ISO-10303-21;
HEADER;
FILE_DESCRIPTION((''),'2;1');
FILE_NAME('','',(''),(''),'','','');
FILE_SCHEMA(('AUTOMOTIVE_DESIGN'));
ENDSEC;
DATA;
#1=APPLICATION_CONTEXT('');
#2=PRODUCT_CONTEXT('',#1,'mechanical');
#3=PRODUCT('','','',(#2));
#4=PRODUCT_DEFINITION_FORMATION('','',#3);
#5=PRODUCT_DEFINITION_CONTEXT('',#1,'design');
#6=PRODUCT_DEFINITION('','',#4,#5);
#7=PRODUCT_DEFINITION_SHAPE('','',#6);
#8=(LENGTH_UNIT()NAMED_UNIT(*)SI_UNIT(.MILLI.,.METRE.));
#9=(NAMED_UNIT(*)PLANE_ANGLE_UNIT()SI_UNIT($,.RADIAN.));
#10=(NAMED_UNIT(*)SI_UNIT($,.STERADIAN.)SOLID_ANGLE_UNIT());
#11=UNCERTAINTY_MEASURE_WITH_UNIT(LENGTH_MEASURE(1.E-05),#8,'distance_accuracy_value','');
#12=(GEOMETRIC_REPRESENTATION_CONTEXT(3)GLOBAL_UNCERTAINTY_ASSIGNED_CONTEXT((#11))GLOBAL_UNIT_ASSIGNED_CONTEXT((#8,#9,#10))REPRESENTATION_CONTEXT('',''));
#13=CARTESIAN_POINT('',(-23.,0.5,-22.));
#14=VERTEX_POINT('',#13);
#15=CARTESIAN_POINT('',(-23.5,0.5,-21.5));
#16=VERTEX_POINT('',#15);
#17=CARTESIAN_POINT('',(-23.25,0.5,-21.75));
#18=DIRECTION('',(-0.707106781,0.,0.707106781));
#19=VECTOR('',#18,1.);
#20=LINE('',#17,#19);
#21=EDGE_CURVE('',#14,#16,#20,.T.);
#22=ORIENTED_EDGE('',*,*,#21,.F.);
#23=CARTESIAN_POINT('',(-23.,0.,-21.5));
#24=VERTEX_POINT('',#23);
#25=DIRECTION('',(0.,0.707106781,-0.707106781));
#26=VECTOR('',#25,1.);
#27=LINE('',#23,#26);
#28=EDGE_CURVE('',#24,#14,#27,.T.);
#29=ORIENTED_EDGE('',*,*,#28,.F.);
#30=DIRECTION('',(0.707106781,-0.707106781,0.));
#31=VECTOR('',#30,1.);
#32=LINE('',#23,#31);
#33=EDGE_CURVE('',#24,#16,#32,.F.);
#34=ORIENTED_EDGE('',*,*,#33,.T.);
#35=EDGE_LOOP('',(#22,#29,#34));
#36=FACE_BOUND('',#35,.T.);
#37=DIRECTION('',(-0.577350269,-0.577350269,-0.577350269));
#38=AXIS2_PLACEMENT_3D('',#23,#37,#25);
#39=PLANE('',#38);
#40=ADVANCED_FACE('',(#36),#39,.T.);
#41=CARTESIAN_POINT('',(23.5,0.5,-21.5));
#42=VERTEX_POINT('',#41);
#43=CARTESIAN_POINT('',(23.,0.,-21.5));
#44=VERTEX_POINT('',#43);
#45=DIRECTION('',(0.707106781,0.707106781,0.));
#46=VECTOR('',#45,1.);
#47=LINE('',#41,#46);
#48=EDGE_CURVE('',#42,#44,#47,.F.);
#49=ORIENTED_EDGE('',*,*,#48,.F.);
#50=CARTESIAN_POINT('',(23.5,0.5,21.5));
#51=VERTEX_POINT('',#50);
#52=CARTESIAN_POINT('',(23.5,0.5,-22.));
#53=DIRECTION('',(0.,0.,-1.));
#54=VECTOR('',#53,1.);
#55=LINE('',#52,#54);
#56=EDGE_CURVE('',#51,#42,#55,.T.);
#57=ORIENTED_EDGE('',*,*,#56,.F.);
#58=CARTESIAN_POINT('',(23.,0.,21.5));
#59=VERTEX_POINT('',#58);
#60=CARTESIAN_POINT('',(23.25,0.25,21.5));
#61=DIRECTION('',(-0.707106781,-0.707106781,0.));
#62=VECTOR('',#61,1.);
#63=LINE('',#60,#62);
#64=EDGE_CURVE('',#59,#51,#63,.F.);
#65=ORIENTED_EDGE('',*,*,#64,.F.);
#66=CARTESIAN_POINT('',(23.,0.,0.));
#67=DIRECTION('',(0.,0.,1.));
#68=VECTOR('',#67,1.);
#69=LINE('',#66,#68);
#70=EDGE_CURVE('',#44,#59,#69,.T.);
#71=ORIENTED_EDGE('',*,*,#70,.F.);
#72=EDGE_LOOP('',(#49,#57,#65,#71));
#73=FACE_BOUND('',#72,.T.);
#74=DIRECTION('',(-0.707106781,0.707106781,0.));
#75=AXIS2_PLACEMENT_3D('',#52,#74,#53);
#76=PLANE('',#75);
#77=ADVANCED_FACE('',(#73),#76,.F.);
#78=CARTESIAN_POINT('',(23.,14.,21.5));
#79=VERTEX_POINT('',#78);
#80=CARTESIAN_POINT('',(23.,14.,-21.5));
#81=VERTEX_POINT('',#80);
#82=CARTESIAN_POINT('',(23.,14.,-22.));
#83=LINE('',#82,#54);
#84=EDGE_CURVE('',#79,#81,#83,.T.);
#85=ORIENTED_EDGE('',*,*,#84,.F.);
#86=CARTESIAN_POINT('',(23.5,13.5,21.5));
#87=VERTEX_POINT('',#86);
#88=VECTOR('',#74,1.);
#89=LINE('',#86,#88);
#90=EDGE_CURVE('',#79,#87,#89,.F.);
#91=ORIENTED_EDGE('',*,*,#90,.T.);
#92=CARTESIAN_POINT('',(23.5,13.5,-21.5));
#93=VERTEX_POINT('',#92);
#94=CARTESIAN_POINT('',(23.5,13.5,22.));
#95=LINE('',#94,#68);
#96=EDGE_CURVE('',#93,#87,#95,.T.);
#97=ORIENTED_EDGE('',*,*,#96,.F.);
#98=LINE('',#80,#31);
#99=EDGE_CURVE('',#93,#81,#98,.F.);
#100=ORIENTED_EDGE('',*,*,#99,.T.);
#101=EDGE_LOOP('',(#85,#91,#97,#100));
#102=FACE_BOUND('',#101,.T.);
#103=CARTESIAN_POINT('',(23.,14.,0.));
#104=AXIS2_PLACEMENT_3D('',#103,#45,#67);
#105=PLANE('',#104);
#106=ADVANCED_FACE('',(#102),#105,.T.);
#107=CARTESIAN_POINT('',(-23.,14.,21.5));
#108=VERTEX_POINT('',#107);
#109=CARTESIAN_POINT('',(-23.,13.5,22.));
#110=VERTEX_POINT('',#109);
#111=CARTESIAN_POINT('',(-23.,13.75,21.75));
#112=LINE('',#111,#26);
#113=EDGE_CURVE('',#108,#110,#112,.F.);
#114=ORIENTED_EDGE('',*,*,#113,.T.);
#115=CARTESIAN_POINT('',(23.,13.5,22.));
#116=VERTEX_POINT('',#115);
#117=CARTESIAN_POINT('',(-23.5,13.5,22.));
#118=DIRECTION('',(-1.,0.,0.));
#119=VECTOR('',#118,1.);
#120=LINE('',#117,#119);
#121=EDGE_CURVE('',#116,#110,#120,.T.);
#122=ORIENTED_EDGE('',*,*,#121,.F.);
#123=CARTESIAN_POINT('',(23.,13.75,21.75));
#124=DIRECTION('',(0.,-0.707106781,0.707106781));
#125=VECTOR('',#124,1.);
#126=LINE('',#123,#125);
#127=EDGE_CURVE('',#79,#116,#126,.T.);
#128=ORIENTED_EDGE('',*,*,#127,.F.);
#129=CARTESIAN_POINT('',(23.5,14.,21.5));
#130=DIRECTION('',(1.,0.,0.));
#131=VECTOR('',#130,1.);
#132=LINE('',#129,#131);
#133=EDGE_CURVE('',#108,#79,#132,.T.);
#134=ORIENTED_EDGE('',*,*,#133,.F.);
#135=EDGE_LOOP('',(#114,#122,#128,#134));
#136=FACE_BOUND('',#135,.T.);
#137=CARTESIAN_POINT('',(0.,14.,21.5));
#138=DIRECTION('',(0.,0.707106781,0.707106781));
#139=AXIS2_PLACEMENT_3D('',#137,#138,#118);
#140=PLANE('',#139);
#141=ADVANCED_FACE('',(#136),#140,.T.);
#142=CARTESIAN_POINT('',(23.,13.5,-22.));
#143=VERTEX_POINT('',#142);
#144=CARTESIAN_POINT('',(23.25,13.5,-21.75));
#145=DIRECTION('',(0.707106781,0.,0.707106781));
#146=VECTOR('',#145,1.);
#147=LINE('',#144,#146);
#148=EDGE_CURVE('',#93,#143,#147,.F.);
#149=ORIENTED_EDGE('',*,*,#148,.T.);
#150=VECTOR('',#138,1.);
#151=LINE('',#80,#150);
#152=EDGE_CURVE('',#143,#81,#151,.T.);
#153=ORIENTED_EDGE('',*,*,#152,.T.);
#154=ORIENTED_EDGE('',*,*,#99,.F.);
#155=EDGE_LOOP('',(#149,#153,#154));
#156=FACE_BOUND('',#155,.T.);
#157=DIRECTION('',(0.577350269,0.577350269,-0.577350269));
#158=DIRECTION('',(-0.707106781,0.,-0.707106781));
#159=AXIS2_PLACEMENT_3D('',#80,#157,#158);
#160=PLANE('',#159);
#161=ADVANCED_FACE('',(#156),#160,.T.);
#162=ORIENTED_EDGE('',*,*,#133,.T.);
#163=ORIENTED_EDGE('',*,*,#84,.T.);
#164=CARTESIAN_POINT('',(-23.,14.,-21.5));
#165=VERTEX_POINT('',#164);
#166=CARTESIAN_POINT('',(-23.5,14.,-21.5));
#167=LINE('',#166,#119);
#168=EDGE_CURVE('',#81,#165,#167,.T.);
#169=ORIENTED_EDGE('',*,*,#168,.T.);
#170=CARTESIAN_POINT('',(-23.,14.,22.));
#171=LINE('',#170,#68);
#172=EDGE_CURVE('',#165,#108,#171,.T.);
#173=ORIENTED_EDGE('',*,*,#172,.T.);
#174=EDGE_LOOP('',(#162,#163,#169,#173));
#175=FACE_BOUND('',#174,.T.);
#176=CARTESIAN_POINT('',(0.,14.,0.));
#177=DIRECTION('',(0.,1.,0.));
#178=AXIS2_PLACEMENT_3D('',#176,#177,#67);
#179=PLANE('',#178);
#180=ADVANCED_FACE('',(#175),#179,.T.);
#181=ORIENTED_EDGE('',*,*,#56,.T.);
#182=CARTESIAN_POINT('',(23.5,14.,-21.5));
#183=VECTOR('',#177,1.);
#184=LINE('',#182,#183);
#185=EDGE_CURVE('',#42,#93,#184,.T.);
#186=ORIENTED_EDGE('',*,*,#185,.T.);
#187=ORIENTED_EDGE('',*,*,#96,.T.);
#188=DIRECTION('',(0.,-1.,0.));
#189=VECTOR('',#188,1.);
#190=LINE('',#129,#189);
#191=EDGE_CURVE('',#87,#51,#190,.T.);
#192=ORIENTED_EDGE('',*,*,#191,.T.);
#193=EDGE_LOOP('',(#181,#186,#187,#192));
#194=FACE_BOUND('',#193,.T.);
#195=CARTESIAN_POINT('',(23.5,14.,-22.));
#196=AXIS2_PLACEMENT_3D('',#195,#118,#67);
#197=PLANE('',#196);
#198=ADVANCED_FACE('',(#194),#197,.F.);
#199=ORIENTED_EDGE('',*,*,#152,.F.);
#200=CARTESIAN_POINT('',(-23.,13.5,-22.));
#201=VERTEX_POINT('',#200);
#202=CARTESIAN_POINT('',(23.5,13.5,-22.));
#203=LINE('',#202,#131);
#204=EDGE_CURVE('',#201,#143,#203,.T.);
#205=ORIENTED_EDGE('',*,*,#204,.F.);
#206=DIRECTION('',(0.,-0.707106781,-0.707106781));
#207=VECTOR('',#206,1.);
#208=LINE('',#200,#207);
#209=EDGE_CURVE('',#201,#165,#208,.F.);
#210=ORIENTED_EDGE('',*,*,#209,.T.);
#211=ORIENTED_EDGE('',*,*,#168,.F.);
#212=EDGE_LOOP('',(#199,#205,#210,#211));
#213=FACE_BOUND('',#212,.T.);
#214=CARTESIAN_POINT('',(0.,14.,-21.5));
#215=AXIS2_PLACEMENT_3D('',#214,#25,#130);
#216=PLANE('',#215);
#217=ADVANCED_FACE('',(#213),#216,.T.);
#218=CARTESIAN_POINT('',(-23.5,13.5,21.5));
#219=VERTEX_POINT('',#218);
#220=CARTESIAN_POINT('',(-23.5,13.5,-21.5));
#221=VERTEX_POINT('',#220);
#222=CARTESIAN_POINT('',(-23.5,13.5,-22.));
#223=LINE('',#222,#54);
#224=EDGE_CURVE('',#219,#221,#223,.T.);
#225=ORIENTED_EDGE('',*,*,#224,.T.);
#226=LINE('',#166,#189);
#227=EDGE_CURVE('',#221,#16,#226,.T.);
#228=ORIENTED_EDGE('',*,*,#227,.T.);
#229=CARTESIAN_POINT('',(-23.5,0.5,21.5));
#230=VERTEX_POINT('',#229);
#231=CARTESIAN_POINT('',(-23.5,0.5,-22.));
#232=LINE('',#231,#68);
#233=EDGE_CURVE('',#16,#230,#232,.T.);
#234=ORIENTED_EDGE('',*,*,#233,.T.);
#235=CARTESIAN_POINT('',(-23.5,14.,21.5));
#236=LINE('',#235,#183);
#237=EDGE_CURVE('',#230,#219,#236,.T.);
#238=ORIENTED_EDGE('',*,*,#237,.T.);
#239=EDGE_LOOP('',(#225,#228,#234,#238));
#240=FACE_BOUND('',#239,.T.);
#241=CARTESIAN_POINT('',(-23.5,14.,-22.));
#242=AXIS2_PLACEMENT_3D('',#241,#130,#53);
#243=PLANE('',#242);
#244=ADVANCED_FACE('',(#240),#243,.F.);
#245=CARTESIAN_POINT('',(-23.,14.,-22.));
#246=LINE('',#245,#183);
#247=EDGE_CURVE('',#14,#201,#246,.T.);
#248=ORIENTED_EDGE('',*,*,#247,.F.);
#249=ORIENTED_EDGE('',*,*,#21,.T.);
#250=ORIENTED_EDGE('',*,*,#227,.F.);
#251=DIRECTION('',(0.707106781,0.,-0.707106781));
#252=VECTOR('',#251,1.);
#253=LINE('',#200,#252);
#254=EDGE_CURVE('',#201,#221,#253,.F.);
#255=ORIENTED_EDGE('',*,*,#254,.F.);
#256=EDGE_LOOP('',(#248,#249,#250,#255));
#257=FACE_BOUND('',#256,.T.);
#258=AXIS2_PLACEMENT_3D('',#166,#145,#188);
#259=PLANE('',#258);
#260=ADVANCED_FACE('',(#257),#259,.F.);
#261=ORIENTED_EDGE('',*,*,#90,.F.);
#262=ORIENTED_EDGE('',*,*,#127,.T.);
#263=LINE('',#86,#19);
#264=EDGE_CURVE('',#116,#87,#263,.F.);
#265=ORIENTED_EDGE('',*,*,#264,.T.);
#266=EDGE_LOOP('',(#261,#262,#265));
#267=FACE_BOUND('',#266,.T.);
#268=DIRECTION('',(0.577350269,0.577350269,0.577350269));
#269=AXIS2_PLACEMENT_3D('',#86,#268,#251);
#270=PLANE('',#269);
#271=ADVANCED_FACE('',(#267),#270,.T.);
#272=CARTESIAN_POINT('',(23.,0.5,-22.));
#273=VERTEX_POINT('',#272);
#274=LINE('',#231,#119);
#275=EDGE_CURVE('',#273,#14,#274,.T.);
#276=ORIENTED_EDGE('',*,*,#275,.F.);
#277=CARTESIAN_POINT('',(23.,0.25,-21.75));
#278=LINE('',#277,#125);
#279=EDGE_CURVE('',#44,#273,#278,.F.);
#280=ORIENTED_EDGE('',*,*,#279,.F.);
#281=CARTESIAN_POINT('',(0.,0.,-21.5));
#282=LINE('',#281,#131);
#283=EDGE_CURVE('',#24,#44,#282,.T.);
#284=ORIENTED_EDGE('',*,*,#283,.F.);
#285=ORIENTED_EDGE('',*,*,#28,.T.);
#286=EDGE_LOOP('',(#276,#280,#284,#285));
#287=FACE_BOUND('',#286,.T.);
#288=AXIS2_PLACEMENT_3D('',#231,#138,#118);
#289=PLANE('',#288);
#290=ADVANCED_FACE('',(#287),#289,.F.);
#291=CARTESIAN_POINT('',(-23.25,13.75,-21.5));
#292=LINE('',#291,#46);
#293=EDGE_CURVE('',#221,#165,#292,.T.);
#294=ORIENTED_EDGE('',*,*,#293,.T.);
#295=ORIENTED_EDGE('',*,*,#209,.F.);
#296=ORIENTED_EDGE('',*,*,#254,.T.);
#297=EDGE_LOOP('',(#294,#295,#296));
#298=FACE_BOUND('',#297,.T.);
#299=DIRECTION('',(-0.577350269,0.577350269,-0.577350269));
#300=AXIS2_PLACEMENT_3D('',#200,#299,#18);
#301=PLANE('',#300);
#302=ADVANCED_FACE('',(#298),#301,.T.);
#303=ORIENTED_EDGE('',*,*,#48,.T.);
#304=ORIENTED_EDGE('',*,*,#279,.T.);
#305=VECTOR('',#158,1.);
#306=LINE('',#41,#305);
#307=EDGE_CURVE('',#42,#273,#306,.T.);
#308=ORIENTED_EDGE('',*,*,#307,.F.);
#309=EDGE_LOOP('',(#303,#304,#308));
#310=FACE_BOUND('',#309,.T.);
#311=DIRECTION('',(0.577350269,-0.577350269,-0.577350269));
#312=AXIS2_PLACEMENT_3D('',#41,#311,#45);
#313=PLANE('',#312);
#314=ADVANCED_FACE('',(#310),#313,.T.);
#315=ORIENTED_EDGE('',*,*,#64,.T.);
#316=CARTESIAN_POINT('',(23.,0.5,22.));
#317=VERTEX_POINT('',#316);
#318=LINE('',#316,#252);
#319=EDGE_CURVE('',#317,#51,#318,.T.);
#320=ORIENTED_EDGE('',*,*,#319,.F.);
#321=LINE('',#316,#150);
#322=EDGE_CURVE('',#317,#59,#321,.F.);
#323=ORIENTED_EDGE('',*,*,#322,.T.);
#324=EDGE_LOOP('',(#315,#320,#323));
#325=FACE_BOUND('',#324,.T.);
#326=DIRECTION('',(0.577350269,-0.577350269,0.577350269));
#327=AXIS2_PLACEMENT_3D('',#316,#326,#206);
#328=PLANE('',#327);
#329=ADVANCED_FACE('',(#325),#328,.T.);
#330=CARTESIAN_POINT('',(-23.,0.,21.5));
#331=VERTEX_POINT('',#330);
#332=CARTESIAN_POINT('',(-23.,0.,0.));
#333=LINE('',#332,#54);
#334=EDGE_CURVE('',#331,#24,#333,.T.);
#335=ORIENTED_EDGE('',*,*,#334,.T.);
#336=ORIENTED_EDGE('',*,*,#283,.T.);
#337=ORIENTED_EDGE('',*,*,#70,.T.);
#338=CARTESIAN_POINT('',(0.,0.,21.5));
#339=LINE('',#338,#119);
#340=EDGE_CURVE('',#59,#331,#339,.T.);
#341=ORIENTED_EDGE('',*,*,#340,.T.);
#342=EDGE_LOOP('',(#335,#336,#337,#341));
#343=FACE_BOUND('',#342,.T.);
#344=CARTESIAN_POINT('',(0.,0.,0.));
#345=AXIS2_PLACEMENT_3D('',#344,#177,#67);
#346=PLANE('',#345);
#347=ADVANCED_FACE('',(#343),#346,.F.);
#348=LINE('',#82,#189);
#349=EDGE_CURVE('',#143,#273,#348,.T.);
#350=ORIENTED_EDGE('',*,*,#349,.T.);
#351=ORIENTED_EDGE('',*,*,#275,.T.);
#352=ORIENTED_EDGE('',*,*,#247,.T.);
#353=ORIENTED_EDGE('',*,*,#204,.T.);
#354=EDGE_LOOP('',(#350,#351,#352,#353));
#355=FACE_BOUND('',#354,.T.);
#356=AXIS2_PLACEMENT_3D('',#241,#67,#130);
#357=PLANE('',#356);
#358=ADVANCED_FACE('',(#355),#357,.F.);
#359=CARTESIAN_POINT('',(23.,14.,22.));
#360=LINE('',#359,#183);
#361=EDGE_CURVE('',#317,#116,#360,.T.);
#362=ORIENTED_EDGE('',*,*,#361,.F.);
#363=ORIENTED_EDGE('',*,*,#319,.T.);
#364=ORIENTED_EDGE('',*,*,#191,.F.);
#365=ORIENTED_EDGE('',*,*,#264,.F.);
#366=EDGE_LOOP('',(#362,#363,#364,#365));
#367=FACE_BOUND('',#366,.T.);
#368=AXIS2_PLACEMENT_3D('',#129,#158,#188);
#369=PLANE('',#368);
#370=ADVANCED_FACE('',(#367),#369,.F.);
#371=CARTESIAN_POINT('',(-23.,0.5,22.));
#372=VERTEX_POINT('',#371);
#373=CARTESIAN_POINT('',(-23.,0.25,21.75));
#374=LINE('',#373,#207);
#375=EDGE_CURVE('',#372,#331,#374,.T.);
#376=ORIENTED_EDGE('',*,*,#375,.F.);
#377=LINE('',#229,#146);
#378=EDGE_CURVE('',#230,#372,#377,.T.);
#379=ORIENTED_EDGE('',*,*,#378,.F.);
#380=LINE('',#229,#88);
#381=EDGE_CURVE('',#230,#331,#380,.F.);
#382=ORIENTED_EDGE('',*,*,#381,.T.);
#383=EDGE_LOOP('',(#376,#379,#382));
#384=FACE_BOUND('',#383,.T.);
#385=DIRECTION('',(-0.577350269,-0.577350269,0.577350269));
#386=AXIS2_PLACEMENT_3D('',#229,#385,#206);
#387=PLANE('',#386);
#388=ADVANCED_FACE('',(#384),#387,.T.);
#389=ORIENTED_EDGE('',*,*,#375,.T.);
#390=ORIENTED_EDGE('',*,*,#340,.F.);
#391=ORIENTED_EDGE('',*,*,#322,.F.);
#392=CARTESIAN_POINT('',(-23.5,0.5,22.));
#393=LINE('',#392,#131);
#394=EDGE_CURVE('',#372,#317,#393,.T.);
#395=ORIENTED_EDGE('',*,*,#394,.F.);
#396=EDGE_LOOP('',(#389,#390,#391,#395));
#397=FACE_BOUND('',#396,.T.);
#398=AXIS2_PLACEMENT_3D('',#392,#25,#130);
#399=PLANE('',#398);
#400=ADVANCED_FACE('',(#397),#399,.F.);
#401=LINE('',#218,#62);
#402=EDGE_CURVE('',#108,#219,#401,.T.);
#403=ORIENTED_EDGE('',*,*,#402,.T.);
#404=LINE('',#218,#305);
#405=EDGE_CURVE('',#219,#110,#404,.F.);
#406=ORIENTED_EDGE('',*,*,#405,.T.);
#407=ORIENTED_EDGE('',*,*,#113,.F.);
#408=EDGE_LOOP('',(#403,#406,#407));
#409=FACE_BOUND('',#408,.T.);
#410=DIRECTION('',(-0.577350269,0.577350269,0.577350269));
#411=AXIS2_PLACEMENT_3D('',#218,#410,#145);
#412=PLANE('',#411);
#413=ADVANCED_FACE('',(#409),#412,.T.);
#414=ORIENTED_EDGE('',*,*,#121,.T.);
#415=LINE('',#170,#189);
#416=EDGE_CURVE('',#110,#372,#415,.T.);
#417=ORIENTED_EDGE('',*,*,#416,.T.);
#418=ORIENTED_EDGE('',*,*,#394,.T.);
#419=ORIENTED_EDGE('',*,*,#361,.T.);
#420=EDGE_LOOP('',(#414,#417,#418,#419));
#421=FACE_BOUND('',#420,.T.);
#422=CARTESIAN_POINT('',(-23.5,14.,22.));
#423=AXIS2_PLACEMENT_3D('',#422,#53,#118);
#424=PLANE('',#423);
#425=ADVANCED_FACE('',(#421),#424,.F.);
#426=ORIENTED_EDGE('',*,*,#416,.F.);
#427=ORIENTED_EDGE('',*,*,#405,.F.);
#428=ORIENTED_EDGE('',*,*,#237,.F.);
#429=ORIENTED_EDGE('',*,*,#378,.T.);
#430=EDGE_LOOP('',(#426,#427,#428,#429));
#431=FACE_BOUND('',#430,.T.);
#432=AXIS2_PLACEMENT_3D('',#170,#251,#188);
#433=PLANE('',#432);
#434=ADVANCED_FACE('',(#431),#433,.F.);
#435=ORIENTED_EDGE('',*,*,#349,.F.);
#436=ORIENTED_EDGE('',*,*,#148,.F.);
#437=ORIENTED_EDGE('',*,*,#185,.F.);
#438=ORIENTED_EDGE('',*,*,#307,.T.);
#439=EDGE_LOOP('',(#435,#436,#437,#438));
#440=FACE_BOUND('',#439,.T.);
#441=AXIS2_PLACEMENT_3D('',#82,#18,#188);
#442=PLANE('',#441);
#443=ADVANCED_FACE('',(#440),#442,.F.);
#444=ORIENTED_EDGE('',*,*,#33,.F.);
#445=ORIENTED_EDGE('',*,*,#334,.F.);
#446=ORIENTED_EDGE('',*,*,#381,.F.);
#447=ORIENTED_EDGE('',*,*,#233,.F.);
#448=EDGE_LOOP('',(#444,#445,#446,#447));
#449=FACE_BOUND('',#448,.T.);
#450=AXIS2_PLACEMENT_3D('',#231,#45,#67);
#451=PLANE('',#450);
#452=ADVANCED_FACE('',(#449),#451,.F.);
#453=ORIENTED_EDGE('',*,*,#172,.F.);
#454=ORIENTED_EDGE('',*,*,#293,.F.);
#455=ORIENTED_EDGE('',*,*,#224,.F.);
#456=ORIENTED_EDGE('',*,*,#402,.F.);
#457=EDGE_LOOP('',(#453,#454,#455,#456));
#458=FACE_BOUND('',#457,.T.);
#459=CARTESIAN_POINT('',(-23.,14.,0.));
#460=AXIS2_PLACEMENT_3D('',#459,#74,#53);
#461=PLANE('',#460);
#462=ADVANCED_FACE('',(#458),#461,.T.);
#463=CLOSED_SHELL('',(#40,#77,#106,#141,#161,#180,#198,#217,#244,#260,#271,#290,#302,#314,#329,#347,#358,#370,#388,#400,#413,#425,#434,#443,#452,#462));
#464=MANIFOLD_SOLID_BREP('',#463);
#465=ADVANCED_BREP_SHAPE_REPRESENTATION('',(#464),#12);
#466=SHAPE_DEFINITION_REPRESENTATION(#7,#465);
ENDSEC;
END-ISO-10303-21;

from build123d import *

# Parameters (mm, degrees)
SKETCH_1_W      = 47
SKETCH_1_H      = 44
EXTRUDE_1_DEPTH = 14
CHAMFER_1_SIZE  = 0.5


with BuildPart() as part:
    # 草图1 → 凸台-拉伸1 (new body)
    with BuildSketch(Plane(origin=(0, 0, 0), x_dir=(1, 0, 0), z_dir=(0, 1, 0))):
        Rectangle(SKETCH_1_W, SKETCH_1_H)
    extrude(amount=EXTRUDE_1_DEPTH)

    # 倒角1
    chamfer_1_edges = [part.edges().sort_by_distance(p)[0] for p in [
        (-23.5, 14, 0),
        (0, 14, 22),
        (23.5, 14, 0),
        (0, 0, 22),
        (-23.5, 0, 0),
        (0, 0, -22),
        (23.5, 0, 0),
        (23.5, 7, 22),
        (-23.5, 7, 22),
        (-23.5, 7, -22),
        (23.5, 7, -22),
        (0, 14, -22),
    ]]
    chamfer(chamfer_1_edges, length=CHAMFER_1_SIZE)


solid = part.part
